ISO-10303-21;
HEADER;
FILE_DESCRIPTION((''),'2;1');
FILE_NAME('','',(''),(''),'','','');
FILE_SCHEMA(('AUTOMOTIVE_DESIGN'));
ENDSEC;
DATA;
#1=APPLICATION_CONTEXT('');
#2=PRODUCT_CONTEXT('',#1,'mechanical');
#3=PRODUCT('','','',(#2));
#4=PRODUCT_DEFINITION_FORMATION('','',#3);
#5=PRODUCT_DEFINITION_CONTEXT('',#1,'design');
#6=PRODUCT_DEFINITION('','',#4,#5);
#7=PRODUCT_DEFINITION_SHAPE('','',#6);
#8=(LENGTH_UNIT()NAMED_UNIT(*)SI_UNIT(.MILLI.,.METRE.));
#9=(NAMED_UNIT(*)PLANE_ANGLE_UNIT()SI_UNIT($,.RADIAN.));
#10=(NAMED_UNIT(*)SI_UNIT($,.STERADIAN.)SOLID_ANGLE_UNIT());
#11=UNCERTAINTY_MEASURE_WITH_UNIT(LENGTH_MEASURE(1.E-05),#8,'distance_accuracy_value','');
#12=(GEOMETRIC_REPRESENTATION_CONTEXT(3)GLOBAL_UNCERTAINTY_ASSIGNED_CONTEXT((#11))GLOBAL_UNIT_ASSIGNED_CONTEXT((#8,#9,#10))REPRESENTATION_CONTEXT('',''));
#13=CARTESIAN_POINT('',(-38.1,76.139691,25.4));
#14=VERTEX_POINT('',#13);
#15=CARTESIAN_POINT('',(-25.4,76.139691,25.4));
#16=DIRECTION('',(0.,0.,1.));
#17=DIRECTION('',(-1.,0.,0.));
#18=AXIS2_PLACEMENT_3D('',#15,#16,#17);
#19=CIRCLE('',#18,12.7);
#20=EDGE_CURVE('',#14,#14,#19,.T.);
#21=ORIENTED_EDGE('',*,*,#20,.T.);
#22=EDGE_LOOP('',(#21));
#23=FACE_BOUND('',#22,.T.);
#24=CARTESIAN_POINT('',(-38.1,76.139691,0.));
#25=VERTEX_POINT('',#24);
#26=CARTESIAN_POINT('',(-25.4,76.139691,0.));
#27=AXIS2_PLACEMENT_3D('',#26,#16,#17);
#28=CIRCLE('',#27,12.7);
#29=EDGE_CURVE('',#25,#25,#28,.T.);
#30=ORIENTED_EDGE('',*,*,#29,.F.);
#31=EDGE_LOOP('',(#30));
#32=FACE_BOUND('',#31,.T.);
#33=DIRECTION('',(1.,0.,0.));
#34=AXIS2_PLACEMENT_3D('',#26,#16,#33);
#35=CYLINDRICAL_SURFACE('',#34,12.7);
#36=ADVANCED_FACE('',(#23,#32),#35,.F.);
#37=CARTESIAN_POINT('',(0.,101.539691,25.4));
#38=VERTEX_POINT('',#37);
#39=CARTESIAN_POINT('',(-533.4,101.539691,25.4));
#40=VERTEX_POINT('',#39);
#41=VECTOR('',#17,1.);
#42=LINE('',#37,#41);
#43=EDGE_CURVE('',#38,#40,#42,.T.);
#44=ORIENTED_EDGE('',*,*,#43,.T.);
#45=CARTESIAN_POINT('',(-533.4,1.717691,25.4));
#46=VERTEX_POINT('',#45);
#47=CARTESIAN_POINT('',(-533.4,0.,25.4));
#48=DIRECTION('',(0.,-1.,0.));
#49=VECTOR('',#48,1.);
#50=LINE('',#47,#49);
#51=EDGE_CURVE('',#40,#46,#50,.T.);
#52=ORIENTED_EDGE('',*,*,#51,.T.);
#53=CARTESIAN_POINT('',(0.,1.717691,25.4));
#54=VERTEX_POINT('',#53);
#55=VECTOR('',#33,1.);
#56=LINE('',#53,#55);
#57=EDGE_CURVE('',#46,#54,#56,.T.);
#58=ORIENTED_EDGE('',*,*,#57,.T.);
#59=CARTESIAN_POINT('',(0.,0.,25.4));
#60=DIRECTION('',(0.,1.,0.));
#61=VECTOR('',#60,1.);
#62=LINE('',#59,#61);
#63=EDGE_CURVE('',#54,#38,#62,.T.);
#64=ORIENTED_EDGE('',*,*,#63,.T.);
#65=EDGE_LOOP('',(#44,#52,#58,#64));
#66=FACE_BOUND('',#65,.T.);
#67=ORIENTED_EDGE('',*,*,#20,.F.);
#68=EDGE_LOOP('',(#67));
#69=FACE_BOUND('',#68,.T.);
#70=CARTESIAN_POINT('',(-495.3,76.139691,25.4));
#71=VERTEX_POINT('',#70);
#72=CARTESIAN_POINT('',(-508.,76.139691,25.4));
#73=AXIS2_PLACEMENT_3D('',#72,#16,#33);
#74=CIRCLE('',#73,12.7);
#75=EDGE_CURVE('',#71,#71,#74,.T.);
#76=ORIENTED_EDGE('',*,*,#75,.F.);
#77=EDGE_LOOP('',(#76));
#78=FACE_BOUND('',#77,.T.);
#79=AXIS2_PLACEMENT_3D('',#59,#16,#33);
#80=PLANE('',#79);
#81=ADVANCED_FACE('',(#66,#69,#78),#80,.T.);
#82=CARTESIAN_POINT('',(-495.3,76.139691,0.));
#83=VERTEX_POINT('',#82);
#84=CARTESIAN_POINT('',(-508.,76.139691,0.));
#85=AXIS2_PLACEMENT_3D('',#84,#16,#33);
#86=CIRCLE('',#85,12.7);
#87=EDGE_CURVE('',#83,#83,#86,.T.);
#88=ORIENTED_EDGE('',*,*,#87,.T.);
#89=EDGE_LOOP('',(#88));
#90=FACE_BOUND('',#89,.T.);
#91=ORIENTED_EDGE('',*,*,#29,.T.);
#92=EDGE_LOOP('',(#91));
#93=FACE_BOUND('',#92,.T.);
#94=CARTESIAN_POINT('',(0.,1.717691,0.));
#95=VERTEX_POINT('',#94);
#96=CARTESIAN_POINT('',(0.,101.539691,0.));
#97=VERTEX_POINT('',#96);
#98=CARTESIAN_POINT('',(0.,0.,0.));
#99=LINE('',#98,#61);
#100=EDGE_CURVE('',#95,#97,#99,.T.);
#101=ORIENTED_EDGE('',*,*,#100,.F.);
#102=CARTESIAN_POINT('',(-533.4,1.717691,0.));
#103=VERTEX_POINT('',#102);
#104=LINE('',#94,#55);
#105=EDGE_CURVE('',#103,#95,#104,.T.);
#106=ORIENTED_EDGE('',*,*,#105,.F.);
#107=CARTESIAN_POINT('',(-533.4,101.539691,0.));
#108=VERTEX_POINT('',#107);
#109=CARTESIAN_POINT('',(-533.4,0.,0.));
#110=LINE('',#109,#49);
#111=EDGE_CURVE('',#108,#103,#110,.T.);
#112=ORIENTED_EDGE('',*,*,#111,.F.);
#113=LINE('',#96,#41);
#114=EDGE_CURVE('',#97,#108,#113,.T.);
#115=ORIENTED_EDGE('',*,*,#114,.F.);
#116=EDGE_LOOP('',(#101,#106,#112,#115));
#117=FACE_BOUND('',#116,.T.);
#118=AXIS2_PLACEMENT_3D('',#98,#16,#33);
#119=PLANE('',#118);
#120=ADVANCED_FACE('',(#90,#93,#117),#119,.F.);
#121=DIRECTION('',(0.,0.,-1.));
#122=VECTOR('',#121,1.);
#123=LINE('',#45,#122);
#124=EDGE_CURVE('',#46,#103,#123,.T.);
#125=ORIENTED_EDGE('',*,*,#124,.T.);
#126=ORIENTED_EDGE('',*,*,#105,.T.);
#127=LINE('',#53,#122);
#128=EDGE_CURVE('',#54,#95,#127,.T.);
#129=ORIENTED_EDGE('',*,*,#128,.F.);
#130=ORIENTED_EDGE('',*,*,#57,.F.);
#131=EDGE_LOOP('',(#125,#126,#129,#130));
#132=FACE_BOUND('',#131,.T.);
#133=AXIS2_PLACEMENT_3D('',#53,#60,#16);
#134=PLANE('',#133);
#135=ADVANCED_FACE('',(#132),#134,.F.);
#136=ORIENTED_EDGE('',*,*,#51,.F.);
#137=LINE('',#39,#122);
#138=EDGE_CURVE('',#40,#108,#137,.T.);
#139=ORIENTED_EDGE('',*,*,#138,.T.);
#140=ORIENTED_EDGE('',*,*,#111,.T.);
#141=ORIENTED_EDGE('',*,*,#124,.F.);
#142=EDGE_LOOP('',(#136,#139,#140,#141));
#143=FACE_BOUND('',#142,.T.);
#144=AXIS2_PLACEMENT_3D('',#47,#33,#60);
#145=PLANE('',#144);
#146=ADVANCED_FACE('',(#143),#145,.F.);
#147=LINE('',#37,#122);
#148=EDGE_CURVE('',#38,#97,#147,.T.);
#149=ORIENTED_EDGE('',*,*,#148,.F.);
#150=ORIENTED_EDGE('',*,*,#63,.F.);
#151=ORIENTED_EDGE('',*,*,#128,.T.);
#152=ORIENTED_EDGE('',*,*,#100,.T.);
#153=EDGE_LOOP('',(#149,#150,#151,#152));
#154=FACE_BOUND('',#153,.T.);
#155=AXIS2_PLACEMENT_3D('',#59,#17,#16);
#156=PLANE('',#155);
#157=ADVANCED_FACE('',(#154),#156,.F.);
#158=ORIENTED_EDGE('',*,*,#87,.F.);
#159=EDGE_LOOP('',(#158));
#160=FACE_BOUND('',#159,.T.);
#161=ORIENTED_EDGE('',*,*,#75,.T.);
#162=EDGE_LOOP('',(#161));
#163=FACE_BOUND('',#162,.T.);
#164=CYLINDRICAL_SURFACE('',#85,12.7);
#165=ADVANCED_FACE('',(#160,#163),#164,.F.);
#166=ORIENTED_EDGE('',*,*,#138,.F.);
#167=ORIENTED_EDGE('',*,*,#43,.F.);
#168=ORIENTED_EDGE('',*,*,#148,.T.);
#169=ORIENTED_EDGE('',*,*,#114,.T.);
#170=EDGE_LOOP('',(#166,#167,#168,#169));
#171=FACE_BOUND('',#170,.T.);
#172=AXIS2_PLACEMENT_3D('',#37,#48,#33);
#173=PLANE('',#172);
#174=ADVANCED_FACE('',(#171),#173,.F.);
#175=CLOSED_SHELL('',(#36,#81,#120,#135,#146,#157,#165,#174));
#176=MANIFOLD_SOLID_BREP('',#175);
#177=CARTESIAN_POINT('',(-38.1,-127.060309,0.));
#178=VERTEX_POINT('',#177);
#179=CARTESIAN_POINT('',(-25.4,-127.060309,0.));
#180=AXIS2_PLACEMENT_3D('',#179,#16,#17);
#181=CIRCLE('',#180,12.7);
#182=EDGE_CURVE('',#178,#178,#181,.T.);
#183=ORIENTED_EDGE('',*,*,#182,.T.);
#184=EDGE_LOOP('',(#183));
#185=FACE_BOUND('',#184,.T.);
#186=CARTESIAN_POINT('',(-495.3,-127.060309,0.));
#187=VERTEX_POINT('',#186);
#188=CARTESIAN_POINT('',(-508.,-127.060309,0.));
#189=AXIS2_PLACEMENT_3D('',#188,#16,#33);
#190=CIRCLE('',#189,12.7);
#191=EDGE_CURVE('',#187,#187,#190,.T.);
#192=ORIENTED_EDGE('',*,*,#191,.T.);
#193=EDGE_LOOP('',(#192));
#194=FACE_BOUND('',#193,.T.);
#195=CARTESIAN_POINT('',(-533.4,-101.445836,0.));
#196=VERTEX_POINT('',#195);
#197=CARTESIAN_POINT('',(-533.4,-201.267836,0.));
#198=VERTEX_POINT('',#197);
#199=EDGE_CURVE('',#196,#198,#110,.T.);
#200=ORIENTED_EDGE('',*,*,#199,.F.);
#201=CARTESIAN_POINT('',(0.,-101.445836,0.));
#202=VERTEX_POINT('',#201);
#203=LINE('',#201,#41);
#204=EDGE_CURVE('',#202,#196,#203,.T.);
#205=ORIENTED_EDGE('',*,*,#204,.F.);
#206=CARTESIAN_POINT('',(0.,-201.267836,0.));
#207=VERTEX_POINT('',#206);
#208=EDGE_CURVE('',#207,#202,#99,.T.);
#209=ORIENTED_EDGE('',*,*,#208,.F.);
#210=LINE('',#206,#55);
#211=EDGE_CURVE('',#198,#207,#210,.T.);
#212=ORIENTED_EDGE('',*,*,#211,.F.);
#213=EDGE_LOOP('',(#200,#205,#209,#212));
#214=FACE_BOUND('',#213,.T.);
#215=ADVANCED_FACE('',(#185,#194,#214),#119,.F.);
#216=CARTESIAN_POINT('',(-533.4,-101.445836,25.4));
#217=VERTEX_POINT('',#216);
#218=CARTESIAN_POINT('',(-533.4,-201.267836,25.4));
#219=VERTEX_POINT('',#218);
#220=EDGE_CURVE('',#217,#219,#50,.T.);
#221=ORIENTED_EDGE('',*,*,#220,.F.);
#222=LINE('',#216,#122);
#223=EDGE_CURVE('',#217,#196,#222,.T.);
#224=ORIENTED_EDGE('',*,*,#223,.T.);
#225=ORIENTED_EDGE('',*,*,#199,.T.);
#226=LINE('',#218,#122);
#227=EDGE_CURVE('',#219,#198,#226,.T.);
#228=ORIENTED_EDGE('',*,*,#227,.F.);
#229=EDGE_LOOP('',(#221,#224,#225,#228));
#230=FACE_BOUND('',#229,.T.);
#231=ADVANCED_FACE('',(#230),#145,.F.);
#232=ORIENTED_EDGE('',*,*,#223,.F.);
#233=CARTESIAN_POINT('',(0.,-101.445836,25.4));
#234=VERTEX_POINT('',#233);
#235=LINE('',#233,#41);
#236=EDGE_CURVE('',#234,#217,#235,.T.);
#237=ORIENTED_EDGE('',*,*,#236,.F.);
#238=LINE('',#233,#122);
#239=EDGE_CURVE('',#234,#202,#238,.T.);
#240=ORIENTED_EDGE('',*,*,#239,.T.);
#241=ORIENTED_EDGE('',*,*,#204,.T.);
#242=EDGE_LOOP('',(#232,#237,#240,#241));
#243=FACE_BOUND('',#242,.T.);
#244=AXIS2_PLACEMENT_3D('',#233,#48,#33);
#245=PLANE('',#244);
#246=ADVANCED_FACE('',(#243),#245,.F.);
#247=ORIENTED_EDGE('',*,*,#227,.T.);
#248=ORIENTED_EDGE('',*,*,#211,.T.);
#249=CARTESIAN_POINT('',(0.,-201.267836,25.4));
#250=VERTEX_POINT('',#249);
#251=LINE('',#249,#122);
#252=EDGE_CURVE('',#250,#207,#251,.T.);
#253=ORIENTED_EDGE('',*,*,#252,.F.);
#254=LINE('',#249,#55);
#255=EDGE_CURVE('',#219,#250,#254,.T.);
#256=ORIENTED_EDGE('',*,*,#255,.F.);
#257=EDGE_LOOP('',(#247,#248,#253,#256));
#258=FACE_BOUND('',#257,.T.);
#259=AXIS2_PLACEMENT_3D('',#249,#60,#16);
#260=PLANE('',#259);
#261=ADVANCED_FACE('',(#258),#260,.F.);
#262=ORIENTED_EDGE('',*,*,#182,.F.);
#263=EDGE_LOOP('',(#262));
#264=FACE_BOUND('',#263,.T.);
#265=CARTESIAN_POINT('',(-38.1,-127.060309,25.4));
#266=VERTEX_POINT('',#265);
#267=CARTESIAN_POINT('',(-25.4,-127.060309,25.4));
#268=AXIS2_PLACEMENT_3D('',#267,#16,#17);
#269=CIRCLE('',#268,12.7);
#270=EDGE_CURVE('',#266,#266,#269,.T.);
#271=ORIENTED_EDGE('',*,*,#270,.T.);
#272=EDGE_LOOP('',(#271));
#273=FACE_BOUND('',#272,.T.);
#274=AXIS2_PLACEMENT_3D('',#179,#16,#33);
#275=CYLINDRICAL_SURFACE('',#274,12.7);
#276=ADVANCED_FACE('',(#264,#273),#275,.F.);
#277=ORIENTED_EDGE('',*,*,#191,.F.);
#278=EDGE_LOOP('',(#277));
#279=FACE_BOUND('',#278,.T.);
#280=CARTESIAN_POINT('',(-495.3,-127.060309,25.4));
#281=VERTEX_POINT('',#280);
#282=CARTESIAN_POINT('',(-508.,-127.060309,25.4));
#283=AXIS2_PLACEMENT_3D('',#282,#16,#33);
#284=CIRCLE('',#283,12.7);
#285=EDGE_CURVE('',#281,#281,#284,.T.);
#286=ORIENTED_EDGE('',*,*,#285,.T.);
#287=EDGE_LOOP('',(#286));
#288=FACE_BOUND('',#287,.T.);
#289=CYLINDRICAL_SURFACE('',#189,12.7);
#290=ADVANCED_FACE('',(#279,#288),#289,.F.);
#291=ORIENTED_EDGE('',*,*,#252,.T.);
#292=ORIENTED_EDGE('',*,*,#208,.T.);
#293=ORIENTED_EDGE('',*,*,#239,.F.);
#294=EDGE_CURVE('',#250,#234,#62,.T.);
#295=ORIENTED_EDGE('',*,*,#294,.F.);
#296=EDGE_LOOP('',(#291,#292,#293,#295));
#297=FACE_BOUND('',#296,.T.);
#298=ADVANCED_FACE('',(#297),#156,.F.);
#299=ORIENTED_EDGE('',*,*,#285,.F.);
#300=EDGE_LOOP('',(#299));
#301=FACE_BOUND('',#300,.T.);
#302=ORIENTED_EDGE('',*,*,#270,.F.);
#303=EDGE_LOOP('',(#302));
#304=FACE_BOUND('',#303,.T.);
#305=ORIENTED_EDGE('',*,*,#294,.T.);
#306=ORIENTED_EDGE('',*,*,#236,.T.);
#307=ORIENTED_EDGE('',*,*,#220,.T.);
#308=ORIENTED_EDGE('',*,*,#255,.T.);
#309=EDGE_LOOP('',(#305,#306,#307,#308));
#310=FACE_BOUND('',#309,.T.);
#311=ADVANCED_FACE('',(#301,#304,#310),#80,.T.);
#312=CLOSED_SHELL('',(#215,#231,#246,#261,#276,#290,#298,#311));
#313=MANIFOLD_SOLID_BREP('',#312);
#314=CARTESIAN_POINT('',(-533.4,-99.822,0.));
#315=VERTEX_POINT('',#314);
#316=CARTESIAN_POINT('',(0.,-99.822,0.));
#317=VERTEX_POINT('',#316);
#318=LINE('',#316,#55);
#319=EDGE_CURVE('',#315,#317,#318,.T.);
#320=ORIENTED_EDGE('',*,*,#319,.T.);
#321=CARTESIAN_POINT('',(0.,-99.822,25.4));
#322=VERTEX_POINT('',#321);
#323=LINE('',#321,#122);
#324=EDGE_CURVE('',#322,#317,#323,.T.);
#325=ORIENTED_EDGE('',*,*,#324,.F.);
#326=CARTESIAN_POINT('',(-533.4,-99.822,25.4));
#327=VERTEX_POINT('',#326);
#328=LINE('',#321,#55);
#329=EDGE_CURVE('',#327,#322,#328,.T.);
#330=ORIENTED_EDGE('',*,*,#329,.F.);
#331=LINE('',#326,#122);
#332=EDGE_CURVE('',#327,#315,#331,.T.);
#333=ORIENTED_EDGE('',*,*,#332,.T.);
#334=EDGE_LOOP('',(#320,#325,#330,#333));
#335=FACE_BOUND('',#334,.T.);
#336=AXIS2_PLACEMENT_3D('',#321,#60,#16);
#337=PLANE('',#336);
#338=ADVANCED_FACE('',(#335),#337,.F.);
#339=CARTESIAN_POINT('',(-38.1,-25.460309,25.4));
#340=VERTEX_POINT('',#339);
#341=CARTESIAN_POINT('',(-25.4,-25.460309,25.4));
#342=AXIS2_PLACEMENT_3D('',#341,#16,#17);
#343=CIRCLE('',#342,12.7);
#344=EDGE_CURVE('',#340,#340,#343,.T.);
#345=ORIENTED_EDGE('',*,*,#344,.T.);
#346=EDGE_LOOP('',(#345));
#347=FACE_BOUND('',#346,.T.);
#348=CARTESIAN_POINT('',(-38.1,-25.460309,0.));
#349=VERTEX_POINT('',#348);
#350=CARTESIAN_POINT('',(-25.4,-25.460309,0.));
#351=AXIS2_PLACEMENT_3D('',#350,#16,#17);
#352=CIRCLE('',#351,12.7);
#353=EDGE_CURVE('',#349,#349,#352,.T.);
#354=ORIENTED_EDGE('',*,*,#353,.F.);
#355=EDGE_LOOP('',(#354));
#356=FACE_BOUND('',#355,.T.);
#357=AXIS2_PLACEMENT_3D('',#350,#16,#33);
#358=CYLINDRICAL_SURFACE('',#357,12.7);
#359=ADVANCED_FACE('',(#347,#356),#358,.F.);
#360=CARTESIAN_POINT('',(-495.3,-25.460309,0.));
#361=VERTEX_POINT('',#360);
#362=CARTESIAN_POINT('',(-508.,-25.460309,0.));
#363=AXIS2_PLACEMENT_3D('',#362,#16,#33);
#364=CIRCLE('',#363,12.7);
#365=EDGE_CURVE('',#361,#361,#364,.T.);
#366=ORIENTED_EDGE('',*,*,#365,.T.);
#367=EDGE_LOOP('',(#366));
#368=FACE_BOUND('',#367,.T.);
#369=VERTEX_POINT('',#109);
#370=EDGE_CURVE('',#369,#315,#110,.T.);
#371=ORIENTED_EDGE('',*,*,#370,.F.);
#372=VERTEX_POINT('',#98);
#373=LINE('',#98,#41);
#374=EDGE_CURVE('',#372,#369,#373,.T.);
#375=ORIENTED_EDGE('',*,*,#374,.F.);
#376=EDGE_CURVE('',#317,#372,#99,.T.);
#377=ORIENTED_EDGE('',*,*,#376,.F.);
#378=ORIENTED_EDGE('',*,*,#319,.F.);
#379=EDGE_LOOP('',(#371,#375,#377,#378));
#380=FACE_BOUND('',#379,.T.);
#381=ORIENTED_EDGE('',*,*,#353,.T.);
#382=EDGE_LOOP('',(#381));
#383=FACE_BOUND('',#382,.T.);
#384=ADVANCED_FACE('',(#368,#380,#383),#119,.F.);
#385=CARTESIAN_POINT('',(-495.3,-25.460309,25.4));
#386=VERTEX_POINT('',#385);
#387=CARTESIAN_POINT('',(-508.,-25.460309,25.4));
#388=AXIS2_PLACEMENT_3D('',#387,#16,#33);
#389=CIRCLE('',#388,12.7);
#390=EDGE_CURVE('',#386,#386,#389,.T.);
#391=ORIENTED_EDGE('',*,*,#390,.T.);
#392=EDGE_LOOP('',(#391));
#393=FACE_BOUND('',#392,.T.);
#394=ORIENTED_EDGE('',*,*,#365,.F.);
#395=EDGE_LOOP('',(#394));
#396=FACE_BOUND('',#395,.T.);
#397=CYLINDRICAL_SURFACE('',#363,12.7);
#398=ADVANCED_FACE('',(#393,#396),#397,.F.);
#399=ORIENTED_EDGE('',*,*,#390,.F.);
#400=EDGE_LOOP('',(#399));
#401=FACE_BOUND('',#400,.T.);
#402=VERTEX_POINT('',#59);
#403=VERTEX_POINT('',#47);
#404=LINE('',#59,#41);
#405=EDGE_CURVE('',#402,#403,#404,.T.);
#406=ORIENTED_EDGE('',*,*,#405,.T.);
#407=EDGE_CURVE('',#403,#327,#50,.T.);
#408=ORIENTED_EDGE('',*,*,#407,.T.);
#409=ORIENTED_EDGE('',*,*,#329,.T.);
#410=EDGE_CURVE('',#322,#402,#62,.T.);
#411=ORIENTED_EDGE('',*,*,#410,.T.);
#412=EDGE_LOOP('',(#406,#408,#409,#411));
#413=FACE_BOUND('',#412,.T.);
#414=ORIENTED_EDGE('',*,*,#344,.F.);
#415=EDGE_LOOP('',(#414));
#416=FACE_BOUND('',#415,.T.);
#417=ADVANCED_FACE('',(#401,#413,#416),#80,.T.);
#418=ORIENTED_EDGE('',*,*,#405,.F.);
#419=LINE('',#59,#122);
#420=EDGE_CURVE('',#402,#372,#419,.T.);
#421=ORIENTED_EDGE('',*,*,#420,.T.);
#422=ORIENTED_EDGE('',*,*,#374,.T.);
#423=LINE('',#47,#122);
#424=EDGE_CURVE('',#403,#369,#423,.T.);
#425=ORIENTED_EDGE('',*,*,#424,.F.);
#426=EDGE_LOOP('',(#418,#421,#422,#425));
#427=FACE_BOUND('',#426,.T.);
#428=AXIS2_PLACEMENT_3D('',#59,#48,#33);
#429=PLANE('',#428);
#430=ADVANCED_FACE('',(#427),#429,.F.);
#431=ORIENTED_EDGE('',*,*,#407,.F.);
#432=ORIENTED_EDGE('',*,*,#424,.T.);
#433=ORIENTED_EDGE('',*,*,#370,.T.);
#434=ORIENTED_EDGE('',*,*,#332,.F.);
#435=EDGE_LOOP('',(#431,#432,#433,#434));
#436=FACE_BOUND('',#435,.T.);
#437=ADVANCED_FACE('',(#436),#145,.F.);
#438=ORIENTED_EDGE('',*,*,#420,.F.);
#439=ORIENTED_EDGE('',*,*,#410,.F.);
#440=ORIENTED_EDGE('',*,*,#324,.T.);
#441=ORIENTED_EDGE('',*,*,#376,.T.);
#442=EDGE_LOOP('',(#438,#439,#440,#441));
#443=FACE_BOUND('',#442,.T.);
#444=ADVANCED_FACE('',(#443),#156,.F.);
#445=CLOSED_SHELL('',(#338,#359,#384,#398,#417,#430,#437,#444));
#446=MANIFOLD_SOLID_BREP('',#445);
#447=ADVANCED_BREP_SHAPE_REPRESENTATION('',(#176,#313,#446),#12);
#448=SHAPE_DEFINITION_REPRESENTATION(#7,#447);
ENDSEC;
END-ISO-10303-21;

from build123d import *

# Parameters (mm, degrees)
SKETCH1_W             = 533.4
SKETCH1_H             = 99.822
BOSS_EXTRUDE1_DEPTH   = 25.4
BOSS_EXTRUDE1_2_DEPTH = 25.4
BOSS_EXTRUDE1_3_DEPTH = 25.4
SKETCH2_R             = 12.7
CUT_EXTRUDE1_DEPTH    = 26.4
LPATTERN1_COUNT       = 3
LPATTERN1_PITCH       = 101.6


with BuildPart() as part:
    # Sketch1 → Boss-Extrude1 (new body)
    with BuildSketch(Plane.XY):
        with Locations((-266.7, -49.911)):
            Rectangle(SKETCH1_W, SKETCH1_H)
    extrude(amount=BOSS_EXTRUDE1_DEPTH)


with BuildPart() as body_2:
    # Sketch1 → Boss-Extrude1 2 (new body)
    with BuildSketch(Plane.XY):
        with Locations((-266.7, 51.628691072)):
            Rectangle(SKETCH1_W, SKETCH1_H)
    extrude(amount=BOSS_EXTRUDE1_2_DEPTH)

    # Sketch2 → Cut-Extrude1 (cut, through all)
    with BuildSketch(Plane.XY.offset(25.4)):
        with Locations((-508, 76.139691072)):
            Circle(SKETCH2_R)
        with Locations((-25.4, 76.139691072)):
            Circle(SKETCH2_R)
    cut_extrude1 = extrude(amount=-CUT_EXTRUDE1_DEPTH, mode=Mode.SUBTRACT)


with BuildPart() as body_3:
    # Sketch1 → Boss-Extrude1 3 (new body)
    with BuildSketch(Plane.XY):
        with Locations((-266.7, -151.356836193)):
            Rectangle(SKETCH1_W, SKETCH1_H)
    extrude(amount=BOSS_EXTRUDE1_3_DEPTH)


with BuildPart() as lpattern1_tool:
    # LPattern1: Cut-Extrude1 ×3
    with Locations(*[(0, -i * LPATTERN1_PITCH, 0) for i in range(1, LPATTERN1_COUNT)]):
        add(cut_extrude1)


with BuildPart() as part_1:
    add(part.part)

    # LPattern1: cut by lpattern1_tool
    add(lpattern1_tool.part, mode=Mode.SUBTRACT)


with BuildPart() as body_3_1:
    add(body_3.part)

    # LPattern1: cut by lpattern1_tool
    add(lpattern1_tool.part, mode=Mode.SUBTRACT)


solid = Compound([body_2.part, part_1.part, body_3_1.part])
